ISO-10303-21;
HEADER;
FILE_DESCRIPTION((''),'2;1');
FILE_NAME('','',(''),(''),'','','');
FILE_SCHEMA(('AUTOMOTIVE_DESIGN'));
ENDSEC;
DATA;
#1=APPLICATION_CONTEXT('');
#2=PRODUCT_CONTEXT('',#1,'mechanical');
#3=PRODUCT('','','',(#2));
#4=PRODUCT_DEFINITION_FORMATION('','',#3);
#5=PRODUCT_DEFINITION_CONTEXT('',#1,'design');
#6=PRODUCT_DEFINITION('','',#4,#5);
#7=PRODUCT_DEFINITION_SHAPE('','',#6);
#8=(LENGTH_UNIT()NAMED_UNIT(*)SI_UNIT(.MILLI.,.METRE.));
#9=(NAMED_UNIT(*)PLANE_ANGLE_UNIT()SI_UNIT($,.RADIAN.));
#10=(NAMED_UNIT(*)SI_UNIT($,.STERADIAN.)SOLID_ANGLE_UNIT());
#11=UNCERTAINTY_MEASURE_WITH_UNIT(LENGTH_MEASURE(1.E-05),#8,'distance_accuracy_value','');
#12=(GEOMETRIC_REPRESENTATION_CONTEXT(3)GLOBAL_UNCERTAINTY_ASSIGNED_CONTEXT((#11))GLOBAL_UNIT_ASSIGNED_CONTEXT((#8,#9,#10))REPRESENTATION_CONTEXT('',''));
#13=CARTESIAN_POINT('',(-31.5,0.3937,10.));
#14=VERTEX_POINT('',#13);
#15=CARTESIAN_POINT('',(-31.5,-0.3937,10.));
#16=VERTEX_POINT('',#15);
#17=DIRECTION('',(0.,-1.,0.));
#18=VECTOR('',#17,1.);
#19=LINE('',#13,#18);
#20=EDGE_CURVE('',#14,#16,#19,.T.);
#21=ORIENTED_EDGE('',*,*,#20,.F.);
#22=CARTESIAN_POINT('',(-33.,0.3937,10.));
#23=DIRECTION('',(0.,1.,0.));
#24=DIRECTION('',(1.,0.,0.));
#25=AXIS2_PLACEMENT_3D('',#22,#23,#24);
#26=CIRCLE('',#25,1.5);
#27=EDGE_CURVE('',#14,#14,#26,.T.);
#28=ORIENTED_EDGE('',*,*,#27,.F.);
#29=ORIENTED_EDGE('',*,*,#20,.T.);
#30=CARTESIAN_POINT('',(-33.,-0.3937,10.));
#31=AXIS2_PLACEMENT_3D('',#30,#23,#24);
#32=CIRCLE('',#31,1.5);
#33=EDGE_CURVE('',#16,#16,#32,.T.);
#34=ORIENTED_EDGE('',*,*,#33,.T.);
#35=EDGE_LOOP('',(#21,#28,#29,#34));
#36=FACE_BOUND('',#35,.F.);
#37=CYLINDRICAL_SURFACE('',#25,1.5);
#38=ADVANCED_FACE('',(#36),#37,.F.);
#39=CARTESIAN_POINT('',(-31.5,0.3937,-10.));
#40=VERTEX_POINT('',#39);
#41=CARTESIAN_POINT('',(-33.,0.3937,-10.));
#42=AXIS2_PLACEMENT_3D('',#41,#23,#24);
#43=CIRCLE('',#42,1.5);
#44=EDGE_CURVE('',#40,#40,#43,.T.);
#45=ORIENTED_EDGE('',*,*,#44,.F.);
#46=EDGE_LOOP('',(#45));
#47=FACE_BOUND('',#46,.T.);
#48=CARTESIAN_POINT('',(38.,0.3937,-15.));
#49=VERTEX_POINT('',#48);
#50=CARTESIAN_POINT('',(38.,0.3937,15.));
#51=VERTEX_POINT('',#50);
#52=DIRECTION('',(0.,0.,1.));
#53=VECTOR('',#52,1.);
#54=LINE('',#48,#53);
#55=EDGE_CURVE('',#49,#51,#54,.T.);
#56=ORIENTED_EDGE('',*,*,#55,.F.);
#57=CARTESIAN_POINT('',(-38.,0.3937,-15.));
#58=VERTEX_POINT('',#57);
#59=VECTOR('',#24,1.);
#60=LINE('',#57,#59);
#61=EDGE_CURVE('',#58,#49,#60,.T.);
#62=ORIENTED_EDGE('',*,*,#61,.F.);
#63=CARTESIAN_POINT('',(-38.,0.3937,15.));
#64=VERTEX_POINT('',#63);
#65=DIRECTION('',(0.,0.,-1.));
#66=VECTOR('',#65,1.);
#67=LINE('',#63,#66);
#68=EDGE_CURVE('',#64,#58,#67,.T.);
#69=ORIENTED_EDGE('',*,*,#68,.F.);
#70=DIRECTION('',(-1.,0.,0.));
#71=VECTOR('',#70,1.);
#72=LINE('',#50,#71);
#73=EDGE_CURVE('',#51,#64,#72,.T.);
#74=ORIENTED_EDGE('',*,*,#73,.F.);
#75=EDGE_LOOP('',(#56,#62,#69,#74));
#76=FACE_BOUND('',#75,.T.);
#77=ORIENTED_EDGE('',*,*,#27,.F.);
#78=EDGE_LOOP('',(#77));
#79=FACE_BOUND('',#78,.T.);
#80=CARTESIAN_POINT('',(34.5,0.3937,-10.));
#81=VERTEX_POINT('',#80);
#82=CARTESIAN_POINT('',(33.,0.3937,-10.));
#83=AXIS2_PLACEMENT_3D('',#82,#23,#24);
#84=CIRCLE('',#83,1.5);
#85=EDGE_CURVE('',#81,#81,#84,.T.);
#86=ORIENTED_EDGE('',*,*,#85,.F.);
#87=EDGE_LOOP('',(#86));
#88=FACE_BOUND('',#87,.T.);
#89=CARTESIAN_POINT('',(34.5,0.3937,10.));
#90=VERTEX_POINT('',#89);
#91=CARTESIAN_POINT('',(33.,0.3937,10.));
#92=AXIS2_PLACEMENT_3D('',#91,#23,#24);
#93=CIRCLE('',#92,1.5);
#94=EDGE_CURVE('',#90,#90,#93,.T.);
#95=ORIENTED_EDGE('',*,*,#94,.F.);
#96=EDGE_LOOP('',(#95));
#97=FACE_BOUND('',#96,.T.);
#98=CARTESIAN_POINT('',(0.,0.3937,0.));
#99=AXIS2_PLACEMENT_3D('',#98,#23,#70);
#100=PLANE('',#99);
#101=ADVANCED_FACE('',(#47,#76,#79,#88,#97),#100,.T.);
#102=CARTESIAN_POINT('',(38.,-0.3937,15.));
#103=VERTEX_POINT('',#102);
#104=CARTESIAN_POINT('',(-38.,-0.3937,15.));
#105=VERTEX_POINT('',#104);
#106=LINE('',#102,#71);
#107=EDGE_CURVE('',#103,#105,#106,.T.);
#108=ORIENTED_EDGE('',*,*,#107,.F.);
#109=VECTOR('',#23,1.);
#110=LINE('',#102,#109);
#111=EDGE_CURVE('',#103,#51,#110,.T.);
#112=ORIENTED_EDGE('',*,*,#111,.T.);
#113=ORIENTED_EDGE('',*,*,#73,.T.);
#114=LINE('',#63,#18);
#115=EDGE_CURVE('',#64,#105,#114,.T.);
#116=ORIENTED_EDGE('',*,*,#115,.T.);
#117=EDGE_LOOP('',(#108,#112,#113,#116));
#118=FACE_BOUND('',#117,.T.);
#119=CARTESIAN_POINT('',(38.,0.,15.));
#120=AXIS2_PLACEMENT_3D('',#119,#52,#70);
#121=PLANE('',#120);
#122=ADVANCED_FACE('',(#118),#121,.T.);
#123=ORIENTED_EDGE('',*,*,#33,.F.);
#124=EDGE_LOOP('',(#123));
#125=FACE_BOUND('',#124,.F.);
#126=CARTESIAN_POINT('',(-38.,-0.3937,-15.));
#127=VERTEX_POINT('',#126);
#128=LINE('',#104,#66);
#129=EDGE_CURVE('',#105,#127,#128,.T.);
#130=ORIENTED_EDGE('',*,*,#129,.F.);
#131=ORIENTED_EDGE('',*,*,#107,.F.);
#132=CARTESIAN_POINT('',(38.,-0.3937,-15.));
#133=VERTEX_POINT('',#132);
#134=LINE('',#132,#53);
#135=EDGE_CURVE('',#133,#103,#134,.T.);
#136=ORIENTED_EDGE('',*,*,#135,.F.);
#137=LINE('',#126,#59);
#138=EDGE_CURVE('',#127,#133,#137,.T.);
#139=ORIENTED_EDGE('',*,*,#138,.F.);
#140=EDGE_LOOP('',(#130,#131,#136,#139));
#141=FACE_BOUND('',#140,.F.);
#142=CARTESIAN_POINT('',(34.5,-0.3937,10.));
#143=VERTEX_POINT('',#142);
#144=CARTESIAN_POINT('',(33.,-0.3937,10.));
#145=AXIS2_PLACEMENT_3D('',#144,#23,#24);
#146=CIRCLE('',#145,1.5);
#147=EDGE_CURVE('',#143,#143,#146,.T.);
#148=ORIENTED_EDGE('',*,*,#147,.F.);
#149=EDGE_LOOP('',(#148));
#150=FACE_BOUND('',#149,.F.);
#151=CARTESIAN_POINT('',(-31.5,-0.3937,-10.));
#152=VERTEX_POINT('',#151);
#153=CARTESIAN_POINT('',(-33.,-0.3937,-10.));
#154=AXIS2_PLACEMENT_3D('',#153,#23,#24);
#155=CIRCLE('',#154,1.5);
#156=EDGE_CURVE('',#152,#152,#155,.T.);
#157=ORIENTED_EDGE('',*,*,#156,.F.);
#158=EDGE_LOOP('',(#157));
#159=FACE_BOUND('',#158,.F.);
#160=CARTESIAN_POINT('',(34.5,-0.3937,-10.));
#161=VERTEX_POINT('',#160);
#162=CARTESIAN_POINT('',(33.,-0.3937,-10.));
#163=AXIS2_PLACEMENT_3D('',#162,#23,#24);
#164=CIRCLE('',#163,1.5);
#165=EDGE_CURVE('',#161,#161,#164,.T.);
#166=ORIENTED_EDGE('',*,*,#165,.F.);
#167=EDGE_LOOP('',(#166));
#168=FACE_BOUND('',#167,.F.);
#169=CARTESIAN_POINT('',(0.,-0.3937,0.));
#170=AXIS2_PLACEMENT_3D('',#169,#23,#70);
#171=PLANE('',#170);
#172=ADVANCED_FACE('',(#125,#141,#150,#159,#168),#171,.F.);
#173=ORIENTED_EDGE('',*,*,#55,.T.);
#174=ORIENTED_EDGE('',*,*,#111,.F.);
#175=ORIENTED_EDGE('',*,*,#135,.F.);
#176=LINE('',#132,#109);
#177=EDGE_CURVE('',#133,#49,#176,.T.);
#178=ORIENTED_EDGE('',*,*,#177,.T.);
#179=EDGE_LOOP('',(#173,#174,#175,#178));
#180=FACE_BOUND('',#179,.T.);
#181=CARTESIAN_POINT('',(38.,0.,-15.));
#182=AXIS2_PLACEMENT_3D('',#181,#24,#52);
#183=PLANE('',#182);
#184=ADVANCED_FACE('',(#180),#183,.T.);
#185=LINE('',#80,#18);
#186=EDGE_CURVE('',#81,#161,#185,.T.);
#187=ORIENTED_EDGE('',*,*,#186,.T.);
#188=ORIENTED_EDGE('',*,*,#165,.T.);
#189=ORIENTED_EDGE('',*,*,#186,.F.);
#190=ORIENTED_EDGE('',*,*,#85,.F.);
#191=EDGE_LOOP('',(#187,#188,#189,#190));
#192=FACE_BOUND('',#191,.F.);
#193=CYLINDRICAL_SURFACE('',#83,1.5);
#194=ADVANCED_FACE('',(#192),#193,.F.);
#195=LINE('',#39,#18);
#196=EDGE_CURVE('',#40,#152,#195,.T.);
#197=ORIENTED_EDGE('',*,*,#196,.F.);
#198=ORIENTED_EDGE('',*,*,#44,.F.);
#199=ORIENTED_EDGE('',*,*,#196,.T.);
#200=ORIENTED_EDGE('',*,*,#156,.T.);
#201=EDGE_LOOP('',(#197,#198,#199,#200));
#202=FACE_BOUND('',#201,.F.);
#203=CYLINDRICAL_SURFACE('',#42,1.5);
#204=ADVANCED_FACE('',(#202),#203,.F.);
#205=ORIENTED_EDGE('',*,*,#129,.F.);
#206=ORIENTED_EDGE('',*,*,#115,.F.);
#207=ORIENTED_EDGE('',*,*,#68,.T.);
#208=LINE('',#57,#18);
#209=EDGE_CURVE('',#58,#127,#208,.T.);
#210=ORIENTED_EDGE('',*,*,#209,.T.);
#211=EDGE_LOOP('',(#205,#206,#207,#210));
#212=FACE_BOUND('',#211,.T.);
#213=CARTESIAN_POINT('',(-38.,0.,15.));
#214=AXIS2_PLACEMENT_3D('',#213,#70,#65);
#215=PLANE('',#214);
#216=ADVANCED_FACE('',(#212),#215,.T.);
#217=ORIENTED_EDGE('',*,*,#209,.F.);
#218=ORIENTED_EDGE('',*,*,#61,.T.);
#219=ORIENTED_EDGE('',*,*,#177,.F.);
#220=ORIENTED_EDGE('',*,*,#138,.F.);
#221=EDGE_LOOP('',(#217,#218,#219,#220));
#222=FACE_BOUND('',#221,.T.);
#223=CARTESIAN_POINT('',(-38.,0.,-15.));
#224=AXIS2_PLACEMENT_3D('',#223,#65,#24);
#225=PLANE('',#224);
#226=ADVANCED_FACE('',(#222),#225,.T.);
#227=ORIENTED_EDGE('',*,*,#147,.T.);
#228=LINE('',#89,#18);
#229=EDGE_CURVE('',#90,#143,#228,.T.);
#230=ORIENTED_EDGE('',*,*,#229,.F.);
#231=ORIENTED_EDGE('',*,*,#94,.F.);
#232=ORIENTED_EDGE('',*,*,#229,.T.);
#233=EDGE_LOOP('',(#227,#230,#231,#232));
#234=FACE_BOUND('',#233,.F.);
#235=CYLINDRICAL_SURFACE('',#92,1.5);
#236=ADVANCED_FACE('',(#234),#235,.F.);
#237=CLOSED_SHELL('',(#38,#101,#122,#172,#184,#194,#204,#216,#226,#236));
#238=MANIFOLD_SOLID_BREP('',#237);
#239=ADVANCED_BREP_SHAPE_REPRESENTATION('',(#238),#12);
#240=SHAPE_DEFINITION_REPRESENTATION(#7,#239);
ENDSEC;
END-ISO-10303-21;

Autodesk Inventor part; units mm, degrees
ref_plane "YZ Plane" through (0, 0, 0) normal (1, 0, 0) x (0, 1, 0)
ref_plane "XZ Plane" through (0, 0, 0) normal (0, 1, 0) x (-1, 0, 0)
ref_plane "XY Plane" through (0, 0, 0) normal (0, 0, 1) x (1, 0, 0)
sketch "Sketch1" plane through (0, 0, 0) normal (0, 1, 0) x (-1, 0, 0)
  line L0 (-38, 15) -> (38, 15)
  line L1 (38, 15) -> (38, -15)
  line L2 (38, -15) -> (-38, -15)
  line L3 (-38, -15) -> (-38, 15)
  line L4 (-38, 15) -> (38, -15) construction
  line L5 (38, 15) -> (-38, -15) construction
  point P0 (0, 0)
  dimension "d0" = 76
  dimension "d1" = 30
extrude "Extrusion1" add sketch "Sketch1" along normal mid plane 0.7874
sketch "Sketch2" plane through (0, 0.3937, 0) normal (0, 1, 0) x (1, 0, 0)
  circle A0 centre (-33, -10) radius 1.5
  circle A1 centre (-33, 10) radius 1.5
  circle A2 centre (33, -10) radius 1.5
  circle A3 centre (33, 10) radius 1.5
  point P0 (0, 0)
  dimension "d4" = 3
  dimension "d5" = 3
  dimension "d6" = 3
  dimension "d7" = 3
extrude "Extrusion2" cut sketch "Sketch2" against normal through all
properties part number "76x30mm-PCB"
